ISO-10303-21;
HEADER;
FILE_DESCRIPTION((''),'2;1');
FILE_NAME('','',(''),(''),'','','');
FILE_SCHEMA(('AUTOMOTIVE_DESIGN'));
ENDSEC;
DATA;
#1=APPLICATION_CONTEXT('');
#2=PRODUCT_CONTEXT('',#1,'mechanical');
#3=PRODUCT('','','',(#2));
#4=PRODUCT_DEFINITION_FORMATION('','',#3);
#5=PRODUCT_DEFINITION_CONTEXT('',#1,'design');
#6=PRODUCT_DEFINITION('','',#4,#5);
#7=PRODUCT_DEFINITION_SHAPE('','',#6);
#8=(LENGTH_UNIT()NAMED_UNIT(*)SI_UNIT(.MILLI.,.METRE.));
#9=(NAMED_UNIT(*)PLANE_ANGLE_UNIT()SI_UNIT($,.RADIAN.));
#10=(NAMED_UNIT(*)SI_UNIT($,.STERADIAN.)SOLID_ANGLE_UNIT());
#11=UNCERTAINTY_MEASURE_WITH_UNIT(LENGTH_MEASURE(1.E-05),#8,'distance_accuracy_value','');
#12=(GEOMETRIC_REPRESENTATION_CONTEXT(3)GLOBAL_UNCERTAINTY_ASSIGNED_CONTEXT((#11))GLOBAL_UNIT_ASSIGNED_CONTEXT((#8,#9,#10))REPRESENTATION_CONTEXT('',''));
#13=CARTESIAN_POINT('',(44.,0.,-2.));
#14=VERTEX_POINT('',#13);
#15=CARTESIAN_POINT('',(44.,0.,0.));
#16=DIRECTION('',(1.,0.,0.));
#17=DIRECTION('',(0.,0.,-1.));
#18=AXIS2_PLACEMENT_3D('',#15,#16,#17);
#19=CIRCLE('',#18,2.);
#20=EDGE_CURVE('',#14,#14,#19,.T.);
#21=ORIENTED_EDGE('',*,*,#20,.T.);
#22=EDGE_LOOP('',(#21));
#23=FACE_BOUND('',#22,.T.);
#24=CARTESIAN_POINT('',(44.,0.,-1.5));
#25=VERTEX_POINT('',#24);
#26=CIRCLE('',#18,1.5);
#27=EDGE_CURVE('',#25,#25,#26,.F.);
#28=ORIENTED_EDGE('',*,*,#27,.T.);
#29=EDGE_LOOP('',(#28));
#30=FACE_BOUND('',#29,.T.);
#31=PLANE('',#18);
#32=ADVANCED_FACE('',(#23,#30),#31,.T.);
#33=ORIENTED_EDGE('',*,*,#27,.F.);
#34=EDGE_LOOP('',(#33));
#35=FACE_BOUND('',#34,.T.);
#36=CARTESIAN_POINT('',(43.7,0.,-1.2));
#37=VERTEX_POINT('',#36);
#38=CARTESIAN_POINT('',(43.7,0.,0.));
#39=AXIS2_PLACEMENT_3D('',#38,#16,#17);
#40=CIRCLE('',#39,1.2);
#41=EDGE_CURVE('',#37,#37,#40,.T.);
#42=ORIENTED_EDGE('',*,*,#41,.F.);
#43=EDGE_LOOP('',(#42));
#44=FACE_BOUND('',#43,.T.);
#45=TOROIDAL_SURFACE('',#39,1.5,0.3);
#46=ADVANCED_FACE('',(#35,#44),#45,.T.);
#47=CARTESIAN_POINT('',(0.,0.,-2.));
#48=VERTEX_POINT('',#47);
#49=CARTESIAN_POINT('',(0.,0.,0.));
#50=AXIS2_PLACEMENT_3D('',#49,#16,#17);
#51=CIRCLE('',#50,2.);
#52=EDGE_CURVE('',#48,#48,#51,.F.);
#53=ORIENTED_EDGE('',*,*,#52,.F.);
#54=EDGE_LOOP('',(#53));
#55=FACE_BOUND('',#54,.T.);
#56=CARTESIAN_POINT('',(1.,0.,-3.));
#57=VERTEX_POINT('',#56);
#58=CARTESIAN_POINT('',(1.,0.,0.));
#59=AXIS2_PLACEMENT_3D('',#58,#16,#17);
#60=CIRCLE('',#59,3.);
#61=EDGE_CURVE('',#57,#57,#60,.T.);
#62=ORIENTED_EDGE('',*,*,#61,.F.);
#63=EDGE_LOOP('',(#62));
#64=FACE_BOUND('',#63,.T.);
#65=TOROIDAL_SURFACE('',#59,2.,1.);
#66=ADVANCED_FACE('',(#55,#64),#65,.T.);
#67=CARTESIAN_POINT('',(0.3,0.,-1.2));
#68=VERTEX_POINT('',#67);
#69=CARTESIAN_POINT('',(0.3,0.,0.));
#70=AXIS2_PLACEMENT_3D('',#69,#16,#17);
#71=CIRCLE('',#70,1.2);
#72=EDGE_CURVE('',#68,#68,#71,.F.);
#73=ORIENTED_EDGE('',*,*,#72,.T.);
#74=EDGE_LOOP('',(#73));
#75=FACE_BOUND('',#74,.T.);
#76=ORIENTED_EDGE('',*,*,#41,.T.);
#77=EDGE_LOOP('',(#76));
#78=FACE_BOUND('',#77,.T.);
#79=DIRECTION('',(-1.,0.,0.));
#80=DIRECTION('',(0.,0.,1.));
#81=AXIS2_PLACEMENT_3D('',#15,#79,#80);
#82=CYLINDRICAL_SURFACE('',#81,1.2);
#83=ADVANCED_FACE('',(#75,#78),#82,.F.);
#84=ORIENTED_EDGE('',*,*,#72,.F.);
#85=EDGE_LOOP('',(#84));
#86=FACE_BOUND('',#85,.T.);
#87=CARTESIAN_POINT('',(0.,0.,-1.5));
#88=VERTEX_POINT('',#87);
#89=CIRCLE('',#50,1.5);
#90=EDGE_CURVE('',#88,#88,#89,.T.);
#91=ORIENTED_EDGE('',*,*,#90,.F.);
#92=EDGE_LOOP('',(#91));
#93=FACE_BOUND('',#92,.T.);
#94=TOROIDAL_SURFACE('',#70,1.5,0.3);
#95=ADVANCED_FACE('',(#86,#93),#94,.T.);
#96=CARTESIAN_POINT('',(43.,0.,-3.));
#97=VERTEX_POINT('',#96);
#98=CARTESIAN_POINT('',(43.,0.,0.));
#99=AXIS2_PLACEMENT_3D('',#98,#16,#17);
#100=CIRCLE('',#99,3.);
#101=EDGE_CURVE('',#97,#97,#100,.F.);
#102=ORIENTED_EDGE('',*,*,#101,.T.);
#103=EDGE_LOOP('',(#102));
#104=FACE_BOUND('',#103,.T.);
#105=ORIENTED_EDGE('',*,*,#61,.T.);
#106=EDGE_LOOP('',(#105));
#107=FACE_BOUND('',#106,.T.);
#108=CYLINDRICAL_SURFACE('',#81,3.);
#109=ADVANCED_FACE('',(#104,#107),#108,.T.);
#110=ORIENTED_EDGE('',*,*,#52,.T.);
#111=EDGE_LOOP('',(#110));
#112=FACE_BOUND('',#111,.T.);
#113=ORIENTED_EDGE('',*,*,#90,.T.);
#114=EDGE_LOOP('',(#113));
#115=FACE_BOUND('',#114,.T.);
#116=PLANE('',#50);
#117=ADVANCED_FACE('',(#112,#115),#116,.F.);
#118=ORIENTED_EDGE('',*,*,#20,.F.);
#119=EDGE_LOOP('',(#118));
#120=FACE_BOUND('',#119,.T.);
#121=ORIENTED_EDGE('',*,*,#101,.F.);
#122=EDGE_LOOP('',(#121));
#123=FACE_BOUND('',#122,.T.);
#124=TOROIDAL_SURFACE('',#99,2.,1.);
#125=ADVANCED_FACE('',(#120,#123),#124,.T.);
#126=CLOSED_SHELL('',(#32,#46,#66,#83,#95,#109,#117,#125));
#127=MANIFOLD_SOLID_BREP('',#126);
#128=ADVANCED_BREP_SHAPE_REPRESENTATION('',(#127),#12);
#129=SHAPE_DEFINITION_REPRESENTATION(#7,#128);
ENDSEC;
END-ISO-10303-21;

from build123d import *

# Parameters (mm, degrees)
SKETCH_1_R          = 3
EXTRUDE_1_DEPTH     = 44
SKETCH_2_R          = 1.2
CUT_EXTRUDE_1_DEPTH = 44
FILLET_1_R          = 1
FILLET_2_R          = 0.3


with BuildPart() as part:
    # 草图1 → 凸台-拉伸1 (new body)
    with BuildSketch(Plane(origin=(0, 0, 0), x_dir=(0, 0, -1), z_dir=(1, 0, 0))):
        Circle(SKETCH_1_R)
    extrude(amount=EXTRUDE_1_DEPTH)

    # 草图2 → 切除-拉伸1 (cut)
    with BuildSketch(Plane.ZY):
        Circle(SKETCH_2_R)
    extrude(amount=-CUT_EXTRUDE_1_DEPTH, mode=Mode.SUBTRACT)

    # 圆角1
    fillet_1_edges = [part.edges().sort_by_distance(p)[0] for p in [
        (0, 0, 3),
        (44, 0, 3),
    ]]
    fillet(fillet_1_edges, radius=FILLET_1_R)

    # 圆角2
    fillet_2_edges = [part.edges().sort_by_distance(p)[0] for p in [
        (44, 0, -1.2),
        (0, 0, -1.2),
    ]]
    fillet(fillet_2_edges, radius=FILLET_2_R)


solid = part.part
